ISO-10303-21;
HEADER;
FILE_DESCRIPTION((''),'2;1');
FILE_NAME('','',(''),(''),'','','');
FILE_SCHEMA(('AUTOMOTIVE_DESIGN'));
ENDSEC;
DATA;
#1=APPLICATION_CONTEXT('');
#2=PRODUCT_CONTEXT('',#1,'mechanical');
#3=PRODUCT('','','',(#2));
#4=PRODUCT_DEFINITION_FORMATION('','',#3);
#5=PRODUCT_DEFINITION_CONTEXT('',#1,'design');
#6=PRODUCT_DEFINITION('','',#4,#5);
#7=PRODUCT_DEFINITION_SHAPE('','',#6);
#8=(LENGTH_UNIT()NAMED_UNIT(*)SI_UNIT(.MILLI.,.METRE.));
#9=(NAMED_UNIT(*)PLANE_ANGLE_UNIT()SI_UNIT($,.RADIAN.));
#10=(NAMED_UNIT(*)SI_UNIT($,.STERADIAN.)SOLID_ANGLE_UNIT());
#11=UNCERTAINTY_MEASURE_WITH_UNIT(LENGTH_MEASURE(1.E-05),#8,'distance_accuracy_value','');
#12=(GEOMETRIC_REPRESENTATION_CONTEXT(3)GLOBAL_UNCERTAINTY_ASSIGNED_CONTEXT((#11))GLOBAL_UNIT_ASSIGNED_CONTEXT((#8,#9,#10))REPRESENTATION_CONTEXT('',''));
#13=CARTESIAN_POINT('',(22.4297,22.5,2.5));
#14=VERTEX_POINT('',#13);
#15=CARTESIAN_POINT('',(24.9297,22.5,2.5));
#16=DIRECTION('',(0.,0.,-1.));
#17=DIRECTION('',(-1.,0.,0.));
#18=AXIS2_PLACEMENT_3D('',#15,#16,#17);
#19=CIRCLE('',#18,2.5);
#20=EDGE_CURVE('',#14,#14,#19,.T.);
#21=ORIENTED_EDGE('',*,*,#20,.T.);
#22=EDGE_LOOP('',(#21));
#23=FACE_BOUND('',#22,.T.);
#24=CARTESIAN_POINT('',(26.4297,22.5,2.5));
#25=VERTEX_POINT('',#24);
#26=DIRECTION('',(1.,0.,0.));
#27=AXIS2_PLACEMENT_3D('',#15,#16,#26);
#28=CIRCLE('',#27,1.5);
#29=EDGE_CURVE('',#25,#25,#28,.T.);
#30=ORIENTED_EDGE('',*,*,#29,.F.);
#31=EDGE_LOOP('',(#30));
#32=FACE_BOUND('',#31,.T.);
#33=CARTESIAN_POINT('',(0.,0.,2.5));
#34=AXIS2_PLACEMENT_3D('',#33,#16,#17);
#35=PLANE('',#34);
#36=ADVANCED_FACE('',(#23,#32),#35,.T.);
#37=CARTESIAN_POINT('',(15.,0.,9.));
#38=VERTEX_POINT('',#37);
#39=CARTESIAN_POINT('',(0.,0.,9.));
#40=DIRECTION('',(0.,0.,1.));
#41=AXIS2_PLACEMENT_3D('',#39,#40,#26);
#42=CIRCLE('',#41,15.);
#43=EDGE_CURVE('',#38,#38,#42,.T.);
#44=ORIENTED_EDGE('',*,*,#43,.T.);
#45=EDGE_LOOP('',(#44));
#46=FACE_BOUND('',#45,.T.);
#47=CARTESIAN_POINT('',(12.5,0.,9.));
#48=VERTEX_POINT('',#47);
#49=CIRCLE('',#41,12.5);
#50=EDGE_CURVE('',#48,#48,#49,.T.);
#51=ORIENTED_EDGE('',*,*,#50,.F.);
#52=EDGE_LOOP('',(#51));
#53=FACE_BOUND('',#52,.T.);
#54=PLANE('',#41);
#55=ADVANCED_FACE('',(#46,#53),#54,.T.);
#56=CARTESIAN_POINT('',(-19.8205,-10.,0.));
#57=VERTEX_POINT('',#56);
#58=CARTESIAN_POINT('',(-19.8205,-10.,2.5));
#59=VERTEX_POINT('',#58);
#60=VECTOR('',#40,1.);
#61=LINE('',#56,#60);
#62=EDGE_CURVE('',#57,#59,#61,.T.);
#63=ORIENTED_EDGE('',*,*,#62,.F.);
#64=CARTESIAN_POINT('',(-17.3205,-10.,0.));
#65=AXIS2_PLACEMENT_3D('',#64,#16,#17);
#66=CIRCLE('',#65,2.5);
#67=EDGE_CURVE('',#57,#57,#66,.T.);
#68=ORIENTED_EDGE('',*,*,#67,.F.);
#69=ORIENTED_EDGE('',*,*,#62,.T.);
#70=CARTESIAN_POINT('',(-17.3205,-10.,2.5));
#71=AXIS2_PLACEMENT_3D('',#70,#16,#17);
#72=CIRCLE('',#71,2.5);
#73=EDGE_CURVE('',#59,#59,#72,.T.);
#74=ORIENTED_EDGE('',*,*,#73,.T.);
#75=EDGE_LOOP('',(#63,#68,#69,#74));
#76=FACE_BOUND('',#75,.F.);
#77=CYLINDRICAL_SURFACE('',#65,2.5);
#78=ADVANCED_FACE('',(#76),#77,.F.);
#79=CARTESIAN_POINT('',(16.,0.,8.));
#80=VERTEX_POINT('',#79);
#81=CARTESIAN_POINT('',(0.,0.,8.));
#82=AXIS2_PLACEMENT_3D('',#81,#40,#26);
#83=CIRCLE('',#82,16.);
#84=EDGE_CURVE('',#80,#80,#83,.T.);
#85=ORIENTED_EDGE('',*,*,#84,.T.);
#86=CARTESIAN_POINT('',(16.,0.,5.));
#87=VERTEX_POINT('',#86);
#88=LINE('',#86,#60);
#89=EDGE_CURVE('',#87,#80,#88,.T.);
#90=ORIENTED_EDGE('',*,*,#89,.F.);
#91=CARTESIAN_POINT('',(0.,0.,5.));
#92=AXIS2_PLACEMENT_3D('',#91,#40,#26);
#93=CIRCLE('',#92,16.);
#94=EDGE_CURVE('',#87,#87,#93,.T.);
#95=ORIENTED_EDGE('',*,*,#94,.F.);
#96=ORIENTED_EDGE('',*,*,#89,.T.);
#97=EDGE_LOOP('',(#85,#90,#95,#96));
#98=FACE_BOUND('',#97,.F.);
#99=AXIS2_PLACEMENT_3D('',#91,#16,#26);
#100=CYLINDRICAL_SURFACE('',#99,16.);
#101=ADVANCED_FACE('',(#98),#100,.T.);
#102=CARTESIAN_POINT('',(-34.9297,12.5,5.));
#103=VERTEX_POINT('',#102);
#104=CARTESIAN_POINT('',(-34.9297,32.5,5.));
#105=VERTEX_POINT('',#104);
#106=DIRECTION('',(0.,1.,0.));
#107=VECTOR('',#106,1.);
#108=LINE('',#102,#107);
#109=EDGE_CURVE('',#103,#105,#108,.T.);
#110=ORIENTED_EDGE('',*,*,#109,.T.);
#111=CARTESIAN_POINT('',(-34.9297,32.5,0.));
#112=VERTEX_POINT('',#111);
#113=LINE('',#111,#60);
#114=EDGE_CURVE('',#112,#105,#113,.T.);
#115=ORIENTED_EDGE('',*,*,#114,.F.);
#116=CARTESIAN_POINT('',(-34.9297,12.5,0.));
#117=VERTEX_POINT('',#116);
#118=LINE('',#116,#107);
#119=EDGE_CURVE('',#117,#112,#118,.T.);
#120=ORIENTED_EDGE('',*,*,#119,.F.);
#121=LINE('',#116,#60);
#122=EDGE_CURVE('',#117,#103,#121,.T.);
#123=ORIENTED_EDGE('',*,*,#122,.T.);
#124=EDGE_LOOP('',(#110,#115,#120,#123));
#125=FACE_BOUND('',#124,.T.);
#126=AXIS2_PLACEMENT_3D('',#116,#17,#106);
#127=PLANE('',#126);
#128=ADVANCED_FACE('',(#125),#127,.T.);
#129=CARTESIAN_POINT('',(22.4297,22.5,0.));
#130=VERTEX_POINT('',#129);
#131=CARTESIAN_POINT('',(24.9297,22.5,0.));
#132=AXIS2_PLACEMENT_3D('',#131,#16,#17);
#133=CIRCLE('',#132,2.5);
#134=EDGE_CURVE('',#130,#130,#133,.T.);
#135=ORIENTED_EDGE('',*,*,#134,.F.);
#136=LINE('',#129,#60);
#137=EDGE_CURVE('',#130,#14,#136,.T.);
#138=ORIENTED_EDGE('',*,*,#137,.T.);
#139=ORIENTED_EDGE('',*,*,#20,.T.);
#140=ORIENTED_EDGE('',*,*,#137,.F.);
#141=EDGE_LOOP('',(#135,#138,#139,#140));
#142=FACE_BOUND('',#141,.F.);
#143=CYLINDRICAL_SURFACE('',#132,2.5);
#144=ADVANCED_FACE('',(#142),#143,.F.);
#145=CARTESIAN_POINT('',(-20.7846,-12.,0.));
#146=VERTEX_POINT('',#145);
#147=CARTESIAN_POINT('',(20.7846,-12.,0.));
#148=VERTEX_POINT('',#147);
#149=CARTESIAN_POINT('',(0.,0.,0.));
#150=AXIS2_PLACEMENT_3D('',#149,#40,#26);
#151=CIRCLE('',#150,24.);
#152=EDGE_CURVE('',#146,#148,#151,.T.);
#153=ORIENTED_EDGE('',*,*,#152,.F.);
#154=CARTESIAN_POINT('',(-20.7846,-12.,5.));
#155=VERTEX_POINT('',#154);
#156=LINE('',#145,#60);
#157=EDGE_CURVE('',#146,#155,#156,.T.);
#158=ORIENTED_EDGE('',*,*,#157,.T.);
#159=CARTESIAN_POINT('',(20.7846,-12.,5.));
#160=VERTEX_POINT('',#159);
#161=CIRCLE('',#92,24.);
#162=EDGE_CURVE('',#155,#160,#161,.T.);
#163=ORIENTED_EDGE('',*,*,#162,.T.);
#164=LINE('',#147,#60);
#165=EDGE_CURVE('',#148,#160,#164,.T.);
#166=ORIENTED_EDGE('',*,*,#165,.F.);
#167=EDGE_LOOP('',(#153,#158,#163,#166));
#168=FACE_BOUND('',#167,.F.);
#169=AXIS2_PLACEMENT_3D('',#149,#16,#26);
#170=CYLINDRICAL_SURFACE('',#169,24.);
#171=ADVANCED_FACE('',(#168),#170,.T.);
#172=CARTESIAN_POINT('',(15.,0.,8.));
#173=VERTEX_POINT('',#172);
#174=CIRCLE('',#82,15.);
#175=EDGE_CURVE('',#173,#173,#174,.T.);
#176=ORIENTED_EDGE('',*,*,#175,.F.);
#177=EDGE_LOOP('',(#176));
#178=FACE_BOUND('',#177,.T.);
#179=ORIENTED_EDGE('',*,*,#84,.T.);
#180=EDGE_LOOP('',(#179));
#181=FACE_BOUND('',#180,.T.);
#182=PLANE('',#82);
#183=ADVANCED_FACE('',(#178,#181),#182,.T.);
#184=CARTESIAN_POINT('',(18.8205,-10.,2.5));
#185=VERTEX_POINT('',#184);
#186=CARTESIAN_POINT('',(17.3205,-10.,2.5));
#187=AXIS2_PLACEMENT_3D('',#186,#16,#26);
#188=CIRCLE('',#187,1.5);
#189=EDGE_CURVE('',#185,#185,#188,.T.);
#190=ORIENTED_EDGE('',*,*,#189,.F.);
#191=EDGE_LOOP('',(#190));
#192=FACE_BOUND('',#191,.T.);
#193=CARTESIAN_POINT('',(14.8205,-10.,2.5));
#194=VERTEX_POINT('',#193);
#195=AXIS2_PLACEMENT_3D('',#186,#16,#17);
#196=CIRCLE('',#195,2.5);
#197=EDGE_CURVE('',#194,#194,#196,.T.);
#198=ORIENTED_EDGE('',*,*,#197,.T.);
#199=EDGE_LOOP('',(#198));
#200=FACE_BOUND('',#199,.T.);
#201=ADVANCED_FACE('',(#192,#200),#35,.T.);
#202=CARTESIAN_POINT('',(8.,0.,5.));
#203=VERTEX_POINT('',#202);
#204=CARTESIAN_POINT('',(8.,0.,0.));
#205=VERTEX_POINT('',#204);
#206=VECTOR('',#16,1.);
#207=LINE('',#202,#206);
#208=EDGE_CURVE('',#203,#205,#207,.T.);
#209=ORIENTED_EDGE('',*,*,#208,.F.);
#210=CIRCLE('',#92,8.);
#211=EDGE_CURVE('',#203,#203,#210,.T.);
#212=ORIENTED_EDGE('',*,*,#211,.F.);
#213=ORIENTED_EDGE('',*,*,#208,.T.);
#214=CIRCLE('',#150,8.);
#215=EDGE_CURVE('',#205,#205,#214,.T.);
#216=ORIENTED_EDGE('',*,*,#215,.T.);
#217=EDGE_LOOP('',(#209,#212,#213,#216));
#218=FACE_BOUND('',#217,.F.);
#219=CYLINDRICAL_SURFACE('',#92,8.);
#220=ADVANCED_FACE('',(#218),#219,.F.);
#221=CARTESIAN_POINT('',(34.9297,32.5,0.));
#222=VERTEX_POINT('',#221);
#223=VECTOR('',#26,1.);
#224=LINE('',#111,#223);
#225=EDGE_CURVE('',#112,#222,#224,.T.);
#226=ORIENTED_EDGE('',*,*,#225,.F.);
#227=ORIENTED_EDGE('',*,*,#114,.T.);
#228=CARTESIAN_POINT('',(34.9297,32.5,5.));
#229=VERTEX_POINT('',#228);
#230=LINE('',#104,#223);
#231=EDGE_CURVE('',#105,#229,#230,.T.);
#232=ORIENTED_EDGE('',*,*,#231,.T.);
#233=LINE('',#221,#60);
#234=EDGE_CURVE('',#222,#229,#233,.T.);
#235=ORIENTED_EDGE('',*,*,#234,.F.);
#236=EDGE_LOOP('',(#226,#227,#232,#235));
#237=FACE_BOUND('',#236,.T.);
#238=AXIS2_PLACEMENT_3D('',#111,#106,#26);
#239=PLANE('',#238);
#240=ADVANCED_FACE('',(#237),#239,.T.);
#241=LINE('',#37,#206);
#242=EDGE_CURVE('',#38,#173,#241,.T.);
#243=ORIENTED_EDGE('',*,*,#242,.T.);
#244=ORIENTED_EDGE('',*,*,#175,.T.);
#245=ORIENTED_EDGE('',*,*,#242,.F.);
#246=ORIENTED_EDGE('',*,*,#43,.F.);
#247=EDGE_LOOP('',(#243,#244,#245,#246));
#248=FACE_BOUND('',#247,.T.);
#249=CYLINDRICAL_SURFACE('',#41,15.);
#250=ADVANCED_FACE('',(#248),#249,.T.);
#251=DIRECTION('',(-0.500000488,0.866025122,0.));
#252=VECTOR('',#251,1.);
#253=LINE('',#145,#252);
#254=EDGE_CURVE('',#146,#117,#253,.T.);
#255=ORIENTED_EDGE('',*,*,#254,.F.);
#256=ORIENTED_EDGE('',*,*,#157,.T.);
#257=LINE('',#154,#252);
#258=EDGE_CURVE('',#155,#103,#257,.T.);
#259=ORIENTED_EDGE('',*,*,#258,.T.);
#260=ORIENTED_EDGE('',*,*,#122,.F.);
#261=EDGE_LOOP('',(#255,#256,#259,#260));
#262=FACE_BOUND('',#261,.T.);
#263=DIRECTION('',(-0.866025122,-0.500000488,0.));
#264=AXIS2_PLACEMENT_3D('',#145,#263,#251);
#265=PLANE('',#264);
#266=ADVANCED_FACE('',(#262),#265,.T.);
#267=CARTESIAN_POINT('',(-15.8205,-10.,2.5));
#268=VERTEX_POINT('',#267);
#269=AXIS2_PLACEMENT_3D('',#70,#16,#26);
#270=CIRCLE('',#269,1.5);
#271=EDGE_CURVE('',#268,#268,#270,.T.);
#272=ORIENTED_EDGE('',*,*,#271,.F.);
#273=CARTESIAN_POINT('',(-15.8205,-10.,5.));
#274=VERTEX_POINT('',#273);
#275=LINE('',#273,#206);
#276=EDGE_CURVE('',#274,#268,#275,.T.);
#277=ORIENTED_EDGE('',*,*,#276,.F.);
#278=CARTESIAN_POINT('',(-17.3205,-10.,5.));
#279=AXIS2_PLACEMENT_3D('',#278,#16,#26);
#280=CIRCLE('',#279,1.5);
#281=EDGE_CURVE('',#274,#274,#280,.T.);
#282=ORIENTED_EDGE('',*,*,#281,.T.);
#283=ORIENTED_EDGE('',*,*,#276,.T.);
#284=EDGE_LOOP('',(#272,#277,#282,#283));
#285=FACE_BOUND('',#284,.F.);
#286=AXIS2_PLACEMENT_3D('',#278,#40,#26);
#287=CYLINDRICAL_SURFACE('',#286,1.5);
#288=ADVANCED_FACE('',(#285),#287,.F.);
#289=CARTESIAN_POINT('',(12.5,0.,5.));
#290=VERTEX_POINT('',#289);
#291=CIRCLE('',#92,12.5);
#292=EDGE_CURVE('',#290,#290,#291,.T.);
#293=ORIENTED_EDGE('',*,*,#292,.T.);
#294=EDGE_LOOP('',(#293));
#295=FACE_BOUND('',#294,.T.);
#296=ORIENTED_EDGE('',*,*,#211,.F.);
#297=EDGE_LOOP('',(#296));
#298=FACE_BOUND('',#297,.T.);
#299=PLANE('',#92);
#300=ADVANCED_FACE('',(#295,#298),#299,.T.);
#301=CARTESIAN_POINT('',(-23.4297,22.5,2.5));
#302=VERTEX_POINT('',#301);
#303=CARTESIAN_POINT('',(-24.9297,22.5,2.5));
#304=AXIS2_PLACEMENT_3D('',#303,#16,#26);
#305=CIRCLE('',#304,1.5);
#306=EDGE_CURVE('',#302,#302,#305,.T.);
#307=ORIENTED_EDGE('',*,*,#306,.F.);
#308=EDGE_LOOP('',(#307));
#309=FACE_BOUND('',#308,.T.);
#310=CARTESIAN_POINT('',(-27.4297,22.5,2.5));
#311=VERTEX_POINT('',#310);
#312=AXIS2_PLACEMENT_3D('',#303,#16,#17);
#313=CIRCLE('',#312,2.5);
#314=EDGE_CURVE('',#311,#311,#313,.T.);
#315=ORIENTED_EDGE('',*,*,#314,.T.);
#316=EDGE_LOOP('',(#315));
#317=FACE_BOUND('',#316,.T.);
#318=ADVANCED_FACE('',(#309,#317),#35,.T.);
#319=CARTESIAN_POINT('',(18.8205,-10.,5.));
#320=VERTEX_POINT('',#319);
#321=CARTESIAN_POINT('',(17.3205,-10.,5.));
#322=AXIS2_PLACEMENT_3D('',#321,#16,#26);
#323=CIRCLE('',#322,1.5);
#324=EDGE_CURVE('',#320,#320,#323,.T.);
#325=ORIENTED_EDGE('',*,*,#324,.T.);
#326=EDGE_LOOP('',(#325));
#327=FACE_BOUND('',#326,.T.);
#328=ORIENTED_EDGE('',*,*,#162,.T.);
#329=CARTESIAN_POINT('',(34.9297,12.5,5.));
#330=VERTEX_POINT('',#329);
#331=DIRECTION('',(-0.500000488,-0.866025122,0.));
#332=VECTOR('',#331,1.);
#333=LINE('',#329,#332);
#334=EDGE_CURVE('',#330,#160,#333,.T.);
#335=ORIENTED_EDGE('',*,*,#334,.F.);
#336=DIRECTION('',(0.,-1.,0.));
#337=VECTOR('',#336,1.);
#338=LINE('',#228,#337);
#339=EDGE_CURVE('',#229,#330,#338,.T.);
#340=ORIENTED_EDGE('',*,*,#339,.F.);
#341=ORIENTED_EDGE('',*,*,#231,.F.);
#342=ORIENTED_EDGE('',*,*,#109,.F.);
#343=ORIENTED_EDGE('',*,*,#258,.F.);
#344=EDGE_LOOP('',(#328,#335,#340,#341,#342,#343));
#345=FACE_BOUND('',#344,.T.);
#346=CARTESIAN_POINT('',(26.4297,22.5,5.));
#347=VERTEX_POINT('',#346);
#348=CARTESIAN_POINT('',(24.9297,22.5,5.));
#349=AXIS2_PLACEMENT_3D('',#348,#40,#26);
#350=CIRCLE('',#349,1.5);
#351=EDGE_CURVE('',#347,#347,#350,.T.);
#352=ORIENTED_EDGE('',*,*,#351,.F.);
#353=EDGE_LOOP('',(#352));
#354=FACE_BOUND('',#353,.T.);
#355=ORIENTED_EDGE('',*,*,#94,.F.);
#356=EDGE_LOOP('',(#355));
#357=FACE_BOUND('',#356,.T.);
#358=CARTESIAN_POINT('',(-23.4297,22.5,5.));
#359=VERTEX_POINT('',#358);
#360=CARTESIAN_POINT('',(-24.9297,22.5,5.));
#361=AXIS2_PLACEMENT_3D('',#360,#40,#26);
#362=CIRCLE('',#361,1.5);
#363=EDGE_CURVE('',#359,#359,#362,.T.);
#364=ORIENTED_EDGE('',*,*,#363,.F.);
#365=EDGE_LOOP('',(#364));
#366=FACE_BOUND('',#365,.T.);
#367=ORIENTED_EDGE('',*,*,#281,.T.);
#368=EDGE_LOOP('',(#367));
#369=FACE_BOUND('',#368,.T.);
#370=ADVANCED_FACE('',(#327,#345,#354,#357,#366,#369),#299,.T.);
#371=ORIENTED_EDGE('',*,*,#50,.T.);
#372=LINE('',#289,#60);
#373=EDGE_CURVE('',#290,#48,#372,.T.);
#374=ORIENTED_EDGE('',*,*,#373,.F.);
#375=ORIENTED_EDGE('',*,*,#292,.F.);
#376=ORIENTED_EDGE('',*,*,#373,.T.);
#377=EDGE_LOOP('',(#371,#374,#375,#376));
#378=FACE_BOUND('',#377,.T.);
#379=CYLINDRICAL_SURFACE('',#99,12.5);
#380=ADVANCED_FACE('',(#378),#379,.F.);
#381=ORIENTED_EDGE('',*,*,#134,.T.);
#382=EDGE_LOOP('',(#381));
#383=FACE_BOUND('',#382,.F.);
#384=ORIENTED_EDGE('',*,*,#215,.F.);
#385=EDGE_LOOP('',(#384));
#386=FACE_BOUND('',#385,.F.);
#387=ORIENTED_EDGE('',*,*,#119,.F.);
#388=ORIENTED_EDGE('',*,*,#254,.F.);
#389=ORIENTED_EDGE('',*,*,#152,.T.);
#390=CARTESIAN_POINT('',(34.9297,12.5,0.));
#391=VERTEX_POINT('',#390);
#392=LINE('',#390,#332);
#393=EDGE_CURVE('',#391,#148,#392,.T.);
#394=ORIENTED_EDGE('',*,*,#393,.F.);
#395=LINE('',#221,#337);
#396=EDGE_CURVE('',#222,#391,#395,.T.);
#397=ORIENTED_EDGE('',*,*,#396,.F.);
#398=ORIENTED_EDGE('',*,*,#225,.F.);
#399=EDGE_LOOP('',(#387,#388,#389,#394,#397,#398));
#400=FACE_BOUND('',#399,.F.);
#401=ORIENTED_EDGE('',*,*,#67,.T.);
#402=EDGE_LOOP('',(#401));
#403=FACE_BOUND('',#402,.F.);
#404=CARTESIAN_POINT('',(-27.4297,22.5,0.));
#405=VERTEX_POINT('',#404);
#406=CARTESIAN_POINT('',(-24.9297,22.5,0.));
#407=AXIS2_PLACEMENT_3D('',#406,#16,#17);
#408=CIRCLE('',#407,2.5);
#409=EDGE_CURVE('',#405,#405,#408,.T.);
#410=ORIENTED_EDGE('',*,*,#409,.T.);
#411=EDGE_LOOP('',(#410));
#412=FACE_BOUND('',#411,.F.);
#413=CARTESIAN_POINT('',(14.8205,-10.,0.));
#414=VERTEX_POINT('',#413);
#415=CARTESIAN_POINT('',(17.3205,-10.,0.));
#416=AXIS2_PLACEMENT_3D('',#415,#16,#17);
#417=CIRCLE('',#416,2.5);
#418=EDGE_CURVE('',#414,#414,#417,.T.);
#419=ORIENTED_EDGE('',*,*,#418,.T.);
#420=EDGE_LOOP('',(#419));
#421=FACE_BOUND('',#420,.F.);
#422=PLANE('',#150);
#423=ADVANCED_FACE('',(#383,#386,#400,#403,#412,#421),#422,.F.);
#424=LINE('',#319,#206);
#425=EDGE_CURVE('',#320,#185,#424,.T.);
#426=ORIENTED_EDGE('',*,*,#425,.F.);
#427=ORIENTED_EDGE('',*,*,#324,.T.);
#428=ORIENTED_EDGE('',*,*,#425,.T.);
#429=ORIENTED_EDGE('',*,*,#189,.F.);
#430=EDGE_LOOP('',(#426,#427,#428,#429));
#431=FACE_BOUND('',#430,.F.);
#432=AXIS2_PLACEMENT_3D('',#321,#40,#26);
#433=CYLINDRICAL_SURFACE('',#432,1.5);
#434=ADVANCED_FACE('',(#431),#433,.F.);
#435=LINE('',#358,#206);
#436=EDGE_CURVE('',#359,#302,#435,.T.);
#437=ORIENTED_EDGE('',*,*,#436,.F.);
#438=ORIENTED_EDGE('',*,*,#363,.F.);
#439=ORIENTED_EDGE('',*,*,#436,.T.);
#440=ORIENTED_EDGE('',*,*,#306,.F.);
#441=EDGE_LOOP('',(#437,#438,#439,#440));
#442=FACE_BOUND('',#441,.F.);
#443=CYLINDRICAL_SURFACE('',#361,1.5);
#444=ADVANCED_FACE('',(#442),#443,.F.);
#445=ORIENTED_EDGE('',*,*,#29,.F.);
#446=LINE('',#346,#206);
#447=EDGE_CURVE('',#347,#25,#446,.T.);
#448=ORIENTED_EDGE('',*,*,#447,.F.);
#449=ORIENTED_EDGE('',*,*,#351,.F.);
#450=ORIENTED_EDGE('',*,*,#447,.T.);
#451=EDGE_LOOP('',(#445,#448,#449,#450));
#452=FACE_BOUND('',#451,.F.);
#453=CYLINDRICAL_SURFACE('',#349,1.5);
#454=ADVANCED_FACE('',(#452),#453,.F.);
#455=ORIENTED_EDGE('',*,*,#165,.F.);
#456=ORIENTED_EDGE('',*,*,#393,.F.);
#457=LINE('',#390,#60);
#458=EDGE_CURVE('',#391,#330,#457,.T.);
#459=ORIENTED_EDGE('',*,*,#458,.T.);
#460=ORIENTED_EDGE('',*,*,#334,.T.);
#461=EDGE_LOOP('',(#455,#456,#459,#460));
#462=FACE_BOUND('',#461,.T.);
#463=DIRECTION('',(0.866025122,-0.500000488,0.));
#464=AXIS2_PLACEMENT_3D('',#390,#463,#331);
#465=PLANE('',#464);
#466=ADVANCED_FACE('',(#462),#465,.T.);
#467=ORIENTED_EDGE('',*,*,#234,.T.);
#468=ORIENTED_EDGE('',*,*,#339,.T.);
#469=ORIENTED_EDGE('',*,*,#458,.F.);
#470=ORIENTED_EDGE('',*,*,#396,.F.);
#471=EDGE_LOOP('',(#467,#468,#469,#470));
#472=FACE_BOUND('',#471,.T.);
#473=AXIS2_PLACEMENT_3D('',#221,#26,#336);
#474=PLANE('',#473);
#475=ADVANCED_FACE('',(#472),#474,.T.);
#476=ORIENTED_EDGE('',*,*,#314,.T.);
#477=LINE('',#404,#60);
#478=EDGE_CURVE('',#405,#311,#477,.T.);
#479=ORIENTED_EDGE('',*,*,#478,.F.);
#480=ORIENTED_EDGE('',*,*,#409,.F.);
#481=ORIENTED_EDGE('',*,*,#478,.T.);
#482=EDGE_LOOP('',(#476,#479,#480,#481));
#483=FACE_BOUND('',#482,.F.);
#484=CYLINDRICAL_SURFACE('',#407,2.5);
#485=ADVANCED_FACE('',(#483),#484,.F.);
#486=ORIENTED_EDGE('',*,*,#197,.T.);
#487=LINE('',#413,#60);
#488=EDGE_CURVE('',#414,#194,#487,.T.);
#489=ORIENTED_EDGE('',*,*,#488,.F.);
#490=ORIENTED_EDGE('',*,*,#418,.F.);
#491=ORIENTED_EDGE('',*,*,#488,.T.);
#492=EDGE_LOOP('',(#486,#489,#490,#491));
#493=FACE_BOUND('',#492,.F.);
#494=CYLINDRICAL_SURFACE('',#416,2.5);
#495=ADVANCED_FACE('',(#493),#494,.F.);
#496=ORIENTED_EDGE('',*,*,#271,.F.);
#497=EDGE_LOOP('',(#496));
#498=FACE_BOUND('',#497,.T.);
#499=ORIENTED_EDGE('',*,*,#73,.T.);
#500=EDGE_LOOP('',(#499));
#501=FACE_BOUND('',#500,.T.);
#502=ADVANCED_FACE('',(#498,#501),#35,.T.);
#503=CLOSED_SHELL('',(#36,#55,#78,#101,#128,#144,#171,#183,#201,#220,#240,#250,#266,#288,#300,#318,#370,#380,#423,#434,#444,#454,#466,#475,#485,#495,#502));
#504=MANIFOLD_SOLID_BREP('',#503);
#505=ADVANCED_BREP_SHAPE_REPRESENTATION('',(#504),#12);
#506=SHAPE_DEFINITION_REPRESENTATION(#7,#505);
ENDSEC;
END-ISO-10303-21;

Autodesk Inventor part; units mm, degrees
ref_plane "YZ Plane" through (0, 0, 0) normal (1, 0, 0) x (0, 1, 0)
ref_plane "XZ Plane" through (0, 0, 0) normal (0, 1, 0) x (-1, 0, 0)
ref_plane "XY Plane" through (0, 0, 0) normal (0, 0, 1) x (1, 0, 0)
sketch "草图1" plane through (0, 0, 0) normal (0, 0, 1) x (1, 0, 0)
  circle A0 centre (0, 0) radius 24
  line L0 (-20.7846, -12) -> (-34.9297, 12.5)
  line L1 (-34.9297, 12.5) -> (-34.9297, 32.5)
  line L2 (-34.9297, 32.5) -> (34.9297, 32.5)
  line L3 (34.9297, 32.5) -> (34.9297, 12.5)
  line L4 (34.9297, 12.5) -> (20.7846, -12)
  line L5 (0, 0) -> (0, 15.9109)
  dimension "d0" = 48
  dimension "d1" = 15.9109
  dimension "d2" = 12.5
  dimension "d3" = 20
  dimension "d4" = 150
extrude "拉伸1" add sketch "草图1" along normal blind 5
sketch "草图2" plane through (0, 0, 5) normal (0, 0, 1) x (1, 0, 0)
  circle A0 centre (0, 0) radius 16
  circle A1 centre (0, 0) radius 12.5
  dimension "d7" = 32
  dimension "d8" = 25
extrude "拉伸2" add sketch "草图2" along normal blind 4
sketch "草图3" plane through (0, 0, 9) normal (0, 0, 1) x (1, 0, 0)
  circle A0 centre (0, 0) radius 16
  circle A1 centre (0, 0) radius 15
  dimension "d11" = 32
  dimension "d12" = 30
extrude "拉伸3" cut sketch "草图3" against normal blind 1
sketch "草图4" plane through (0, 0, 5) normal (0, 0, 1) x (1, 0, 0)
  circle A0 centre (0, 0) radius 8
  dimension "d15" = 16
extrude "拉伸4" cut sketch "草图4" against normal through all
sketch "草图5" plane through (0, 0, 5) normal (0, 0, 1) x (1, 0, 0)
  circle A0 centre (17.3205, -10) radius 1.5
  circle A1 centre (-17.3205, -10) radius 1.5
  circle A2 centre (24.9297, 22.5) radius 1.5
  circle A3 centre (-24.9297, 22.5) radius 1.5
  line L0 (-34.9297, 32.5) -> (-34.9297, 12.5) projected
  line L1 (34.9297, 32.5) -> (-34.9297, 32.5) projected
  line L2 (34.9297, 12.5) -> (34.9297, 32.5) projected
  arc A4 (-17.3205, -10) -> (17.3205, -10) centre (0, 0) ccw
  dimension "d18" = 3
  dimension "d19" = 3
  dimension "d20" = 3
  dimension "d21" = 3
  dimension "d22" = 10
  dimension "d23" = 10
  dimension "d24" = 10
  dimension "d25" = 10
  dimension "d26" = 10
  dimension "d27" = 20
  dimension "d28" = 10
extrude "拉伸5" cut sketch "草图5" against normal through all
sketch "草图6" plane through (0, 0, 0) normal (0, 0, -1) x (-1, 0, 0)
  circle A0 centre (17.3205, -10) radius 2.5
  circle A1 centre (-17.3205, -10) radius 2.5
  circle A2 centre (24.9297, 22.5) radius 2.5
  circle A3 centre (-24.9297, 22.5) radius 2.5
  circle A4 centre (17.3205, -10) radius 1.5 projected
  circle A5 centre (-17.3205, -10) radius 1.5 projected
  circle A6 centre (-24.9297, 22.5) radius 1.5 projected
  circle A7 centre (24.9297, 22.5) radius 1.5 projected
  point P0 (0, 0)
  dimension "d31" = 5
  dimension "d32" = 5
  dimension "d33" = 5
  dimension "d34" = 5
extrude "拉伸6" cut sketch "草图6" against normal blind 2.5
properties part number "砂轮轴端盖"
